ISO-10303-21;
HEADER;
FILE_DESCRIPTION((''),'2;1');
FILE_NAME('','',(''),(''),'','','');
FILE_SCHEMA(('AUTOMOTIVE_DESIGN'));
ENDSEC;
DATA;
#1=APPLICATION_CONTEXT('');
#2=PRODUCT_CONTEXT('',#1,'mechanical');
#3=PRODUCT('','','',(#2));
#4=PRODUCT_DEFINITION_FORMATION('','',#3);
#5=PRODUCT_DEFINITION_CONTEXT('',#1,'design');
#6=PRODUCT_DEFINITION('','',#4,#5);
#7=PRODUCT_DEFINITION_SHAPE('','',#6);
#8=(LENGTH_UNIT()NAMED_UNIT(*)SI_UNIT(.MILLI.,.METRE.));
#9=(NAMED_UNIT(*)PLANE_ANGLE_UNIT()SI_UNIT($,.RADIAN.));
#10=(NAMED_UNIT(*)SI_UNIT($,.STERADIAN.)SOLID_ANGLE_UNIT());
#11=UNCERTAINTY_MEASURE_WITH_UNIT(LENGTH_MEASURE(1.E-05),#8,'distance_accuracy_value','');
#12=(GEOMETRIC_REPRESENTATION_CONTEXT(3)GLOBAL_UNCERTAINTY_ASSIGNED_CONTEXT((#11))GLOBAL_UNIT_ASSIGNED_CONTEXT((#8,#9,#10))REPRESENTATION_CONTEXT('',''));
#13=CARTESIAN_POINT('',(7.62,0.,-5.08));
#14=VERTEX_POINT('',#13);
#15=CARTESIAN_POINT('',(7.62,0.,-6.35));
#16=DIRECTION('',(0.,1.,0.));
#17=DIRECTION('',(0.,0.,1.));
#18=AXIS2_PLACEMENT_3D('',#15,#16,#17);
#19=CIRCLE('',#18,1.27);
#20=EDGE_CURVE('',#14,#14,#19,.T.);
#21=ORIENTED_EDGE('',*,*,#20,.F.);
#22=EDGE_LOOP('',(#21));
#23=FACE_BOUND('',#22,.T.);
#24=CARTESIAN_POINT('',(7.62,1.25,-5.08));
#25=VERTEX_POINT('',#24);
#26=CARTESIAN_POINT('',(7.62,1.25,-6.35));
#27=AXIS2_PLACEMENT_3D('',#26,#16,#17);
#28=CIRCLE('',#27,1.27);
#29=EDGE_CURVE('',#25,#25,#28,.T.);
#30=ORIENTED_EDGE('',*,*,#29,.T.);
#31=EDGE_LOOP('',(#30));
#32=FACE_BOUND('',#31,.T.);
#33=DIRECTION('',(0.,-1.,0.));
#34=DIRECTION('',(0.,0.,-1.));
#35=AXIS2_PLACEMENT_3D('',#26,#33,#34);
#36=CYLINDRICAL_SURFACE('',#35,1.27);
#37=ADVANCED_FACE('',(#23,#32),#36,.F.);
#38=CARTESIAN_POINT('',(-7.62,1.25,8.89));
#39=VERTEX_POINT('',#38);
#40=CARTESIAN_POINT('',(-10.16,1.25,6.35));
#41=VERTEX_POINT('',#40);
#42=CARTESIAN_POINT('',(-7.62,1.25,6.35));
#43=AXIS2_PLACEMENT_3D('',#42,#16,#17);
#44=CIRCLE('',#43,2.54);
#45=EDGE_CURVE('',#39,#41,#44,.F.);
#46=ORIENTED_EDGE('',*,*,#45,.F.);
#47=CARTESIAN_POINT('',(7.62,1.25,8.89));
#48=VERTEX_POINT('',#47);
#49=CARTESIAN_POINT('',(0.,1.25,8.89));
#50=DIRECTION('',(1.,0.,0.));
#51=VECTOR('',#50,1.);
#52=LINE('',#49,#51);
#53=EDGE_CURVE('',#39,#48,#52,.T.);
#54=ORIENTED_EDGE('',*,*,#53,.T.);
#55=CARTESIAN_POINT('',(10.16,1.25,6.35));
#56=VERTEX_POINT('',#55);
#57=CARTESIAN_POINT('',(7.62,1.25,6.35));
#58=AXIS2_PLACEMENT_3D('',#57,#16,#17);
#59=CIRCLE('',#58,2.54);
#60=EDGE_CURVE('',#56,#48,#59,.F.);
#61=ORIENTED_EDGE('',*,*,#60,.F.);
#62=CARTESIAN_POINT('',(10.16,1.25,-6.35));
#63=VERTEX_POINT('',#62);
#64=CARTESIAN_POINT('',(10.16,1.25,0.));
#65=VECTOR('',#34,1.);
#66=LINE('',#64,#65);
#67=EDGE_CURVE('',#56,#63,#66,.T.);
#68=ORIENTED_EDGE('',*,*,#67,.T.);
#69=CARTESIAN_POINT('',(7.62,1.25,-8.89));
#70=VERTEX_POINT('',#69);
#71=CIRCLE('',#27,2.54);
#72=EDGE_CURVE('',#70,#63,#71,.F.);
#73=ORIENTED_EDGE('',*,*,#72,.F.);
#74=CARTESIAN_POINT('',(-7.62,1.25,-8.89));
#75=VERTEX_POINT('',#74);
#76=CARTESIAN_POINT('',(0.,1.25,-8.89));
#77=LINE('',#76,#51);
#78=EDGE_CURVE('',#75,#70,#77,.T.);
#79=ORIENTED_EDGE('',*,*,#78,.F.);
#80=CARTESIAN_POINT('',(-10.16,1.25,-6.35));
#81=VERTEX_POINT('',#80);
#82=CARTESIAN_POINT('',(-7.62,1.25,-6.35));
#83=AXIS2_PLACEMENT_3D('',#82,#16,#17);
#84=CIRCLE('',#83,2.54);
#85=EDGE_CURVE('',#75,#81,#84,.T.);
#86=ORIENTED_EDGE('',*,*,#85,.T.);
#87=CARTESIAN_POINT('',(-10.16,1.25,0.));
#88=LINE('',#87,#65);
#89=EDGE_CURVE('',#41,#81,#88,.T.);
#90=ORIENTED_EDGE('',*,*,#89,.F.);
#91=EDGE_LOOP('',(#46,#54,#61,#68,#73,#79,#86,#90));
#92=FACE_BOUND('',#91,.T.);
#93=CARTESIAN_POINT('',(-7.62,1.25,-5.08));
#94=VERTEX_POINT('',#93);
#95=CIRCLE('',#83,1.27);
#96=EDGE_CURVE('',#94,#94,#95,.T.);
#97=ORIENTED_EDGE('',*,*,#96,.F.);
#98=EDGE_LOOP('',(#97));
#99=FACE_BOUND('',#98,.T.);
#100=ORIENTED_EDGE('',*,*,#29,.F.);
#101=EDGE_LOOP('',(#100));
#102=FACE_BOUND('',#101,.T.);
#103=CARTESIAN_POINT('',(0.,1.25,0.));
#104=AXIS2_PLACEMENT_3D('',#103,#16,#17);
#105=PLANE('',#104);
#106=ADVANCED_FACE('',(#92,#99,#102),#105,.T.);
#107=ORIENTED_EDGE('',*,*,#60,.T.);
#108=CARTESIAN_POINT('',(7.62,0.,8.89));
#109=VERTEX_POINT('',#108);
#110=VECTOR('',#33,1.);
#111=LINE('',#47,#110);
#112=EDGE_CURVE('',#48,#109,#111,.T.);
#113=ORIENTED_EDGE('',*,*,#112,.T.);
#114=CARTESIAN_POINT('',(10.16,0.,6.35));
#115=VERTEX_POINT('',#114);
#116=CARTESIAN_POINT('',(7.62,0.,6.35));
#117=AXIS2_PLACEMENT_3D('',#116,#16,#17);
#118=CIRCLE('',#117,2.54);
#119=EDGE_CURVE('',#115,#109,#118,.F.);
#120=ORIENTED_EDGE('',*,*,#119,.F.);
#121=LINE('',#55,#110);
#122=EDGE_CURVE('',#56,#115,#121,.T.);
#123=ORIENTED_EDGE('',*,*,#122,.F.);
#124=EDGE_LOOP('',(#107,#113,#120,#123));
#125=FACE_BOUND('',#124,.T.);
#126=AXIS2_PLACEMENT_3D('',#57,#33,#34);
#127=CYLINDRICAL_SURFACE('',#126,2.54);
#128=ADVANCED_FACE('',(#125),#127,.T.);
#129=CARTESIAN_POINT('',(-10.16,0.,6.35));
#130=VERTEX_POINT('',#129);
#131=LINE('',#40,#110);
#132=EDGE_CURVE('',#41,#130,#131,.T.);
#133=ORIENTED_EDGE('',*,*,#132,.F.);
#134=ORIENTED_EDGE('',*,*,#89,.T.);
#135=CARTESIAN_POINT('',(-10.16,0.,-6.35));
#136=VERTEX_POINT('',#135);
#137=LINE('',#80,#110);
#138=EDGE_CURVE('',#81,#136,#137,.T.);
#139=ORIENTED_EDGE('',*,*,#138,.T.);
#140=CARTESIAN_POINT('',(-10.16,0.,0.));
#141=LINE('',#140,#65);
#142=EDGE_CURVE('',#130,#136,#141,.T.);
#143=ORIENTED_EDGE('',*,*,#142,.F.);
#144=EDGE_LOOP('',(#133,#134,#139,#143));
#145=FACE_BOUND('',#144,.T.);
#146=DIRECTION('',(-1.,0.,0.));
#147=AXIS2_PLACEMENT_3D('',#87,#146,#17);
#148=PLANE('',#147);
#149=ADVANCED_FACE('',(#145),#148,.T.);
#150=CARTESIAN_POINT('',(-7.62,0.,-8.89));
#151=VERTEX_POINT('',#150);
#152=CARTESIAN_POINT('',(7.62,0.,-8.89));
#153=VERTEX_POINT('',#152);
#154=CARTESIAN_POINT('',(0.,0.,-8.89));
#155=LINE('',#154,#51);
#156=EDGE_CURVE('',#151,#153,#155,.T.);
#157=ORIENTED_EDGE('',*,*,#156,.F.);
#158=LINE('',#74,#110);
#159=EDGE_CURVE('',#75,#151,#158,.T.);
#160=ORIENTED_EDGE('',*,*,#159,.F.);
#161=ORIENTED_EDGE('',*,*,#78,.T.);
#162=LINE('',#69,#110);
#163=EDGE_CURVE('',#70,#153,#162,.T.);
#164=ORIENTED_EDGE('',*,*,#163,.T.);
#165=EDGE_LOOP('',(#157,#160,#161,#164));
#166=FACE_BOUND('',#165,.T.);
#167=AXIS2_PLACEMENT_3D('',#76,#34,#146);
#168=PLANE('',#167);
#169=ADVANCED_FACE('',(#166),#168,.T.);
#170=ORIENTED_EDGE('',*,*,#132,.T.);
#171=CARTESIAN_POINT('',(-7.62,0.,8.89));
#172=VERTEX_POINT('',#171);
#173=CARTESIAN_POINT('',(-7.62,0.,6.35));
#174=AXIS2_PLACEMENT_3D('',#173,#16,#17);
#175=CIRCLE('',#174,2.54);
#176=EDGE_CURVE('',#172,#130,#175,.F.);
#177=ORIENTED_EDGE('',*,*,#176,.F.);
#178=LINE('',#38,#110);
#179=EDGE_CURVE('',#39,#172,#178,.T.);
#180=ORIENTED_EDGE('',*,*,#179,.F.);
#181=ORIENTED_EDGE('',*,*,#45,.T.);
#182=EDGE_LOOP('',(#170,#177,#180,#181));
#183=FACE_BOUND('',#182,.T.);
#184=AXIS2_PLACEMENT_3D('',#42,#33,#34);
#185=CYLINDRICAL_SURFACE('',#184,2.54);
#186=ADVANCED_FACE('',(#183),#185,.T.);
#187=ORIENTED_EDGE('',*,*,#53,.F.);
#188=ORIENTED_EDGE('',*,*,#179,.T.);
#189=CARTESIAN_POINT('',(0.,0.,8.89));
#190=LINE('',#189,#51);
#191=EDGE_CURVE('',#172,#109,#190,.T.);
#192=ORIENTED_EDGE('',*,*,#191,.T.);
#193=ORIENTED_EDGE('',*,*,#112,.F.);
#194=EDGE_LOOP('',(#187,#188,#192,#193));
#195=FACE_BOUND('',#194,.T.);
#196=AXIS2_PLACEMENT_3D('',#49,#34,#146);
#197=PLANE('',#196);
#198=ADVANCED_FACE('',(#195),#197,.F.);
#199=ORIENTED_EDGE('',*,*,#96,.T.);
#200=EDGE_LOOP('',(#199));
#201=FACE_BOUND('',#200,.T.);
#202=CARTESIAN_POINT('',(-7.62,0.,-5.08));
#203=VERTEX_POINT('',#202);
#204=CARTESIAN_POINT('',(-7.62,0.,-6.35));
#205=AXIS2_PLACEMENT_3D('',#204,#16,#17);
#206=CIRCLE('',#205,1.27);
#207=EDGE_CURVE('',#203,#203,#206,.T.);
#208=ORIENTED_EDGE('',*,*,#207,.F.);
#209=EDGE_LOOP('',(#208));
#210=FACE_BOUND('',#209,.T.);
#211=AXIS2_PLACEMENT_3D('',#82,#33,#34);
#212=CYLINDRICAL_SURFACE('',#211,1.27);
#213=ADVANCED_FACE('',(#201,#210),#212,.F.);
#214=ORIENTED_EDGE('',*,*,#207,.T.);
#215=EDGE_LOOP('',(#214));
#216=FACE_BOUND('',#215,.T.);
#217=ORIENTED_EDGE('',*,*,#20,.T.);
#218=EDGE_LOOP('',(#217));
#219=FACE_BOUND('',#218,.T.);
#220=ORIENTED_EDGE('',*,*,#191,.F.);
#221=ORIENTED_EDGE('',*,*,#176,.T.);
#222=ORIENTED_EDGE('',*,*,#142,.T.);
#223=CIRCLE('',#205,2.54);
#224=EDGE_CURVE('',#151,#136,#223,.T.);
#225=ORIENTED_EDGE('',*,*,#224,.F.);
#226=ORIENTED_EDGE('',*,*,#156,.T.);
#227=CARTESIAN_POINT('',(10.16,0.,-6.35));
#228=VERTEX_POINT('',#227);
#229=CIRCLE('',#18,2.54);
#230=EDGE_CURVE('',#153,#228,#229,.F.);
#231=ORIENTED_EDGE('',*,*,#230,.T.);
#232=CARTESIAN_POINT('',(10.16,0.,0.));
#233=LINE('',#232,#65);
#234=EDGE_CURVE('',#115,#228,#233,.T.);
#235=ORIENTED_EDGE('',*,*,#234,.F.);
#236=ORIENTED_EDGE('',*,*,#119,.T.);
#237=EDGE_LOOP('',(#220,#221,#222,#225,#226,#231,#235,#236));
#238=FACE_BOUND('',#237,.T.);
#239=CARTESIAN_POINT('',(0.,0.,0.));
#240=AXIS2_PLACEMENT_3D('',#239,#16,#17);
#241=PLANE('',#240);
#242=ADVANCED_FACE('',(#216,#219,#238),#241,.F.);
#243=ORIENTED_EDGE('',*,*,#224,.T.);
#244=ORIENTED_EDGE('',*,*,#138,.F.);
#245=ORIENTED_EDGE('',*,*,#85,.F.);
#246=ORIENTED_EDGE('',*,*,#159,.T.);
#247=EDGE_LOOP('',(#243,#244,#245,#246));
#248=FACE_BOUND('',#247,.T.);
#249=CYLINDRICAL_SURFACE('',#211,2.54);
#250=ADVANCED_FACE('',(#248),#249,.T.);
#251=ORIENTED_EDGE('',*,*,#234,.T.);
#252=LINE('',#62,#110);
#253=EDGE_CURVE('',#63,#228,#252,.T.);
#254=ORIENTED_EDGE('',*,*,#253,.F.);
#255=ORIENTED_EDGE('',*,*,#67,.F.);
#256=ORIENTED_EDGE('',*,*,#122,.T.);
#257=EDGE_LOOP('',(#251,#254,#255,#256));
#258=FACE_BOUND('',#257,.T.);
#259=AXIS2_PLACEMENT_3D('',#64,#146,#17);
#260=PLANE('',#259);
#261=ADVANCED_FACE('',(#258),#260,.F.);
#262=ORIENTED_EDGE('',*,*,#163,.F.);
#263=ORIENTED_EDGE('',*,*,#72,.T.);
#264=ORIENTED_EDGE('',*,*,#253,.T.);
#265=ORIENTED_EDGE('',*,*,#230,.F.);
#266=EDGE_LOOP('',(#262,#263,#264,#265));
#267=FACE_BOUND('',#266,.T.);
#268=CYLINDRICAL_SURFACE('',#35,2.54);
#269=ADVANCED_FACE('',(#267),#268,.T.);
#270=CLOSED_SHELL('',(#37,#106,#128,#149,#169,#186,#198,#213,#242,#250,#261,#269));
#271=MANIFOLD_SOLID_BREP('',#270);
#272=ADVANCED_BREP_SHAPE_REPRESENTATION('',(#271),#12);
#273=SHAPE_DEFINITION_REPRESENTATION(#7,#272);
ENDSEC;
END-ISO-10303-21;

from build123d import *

# Parameters (mm, degrees)
SKETCH1_R           = 1.27
BOSS_EXTRUDE1_DEPTH = 1.25


with BuildPart() as part:
    # Sketch1 → Boss-Extrude1 (new body)
    with BuildSketch(Plane(origin=(0, 0, 0), x_dir=(1, 0, 0), z_dir=(0, 1, 0))):
        with BuildLine():
            ThreePointArc((-7.62, -8.89), (-9.416051224, -8.146051224), (-10.16, -6.35))
            Line((-10.16, -6.35), (-10.16, 6.35))
            ThreePointArc((-10.16, 6.35), (-9.416051224, 8.146051224), (-7.62, 8.89))
            Line((-7.62, 8.89), (7.62, 8.89))
            ThreePointArc((7.62, 8.89), (9.416051224, 8.146051224), (10.16, 6.35))
            Line((10.16, 6.35), (10.16, -6.35))
            ThreePointArc((10.16, -6.35), (9.416051224, -8.146051224), (7.62, -8.89))
            Line((7.62, -8.89), (-7.62, -8.89))
        make_face()
        with Locations(Location((7.62, 6.35, 0), (0, 0, 270))):
            Circle(SKETCH1_R, mode=Mode.SUBTRACT)
        with Locations(Location((-7.62, 6.35, 0), (0, 0, 270))):
            Circle(SKETCH1_R, mode=Mode.SUBTRACT)
    extrude(amount=BOSS_EXTRUDE1_DEPTH)


solid = part.part
